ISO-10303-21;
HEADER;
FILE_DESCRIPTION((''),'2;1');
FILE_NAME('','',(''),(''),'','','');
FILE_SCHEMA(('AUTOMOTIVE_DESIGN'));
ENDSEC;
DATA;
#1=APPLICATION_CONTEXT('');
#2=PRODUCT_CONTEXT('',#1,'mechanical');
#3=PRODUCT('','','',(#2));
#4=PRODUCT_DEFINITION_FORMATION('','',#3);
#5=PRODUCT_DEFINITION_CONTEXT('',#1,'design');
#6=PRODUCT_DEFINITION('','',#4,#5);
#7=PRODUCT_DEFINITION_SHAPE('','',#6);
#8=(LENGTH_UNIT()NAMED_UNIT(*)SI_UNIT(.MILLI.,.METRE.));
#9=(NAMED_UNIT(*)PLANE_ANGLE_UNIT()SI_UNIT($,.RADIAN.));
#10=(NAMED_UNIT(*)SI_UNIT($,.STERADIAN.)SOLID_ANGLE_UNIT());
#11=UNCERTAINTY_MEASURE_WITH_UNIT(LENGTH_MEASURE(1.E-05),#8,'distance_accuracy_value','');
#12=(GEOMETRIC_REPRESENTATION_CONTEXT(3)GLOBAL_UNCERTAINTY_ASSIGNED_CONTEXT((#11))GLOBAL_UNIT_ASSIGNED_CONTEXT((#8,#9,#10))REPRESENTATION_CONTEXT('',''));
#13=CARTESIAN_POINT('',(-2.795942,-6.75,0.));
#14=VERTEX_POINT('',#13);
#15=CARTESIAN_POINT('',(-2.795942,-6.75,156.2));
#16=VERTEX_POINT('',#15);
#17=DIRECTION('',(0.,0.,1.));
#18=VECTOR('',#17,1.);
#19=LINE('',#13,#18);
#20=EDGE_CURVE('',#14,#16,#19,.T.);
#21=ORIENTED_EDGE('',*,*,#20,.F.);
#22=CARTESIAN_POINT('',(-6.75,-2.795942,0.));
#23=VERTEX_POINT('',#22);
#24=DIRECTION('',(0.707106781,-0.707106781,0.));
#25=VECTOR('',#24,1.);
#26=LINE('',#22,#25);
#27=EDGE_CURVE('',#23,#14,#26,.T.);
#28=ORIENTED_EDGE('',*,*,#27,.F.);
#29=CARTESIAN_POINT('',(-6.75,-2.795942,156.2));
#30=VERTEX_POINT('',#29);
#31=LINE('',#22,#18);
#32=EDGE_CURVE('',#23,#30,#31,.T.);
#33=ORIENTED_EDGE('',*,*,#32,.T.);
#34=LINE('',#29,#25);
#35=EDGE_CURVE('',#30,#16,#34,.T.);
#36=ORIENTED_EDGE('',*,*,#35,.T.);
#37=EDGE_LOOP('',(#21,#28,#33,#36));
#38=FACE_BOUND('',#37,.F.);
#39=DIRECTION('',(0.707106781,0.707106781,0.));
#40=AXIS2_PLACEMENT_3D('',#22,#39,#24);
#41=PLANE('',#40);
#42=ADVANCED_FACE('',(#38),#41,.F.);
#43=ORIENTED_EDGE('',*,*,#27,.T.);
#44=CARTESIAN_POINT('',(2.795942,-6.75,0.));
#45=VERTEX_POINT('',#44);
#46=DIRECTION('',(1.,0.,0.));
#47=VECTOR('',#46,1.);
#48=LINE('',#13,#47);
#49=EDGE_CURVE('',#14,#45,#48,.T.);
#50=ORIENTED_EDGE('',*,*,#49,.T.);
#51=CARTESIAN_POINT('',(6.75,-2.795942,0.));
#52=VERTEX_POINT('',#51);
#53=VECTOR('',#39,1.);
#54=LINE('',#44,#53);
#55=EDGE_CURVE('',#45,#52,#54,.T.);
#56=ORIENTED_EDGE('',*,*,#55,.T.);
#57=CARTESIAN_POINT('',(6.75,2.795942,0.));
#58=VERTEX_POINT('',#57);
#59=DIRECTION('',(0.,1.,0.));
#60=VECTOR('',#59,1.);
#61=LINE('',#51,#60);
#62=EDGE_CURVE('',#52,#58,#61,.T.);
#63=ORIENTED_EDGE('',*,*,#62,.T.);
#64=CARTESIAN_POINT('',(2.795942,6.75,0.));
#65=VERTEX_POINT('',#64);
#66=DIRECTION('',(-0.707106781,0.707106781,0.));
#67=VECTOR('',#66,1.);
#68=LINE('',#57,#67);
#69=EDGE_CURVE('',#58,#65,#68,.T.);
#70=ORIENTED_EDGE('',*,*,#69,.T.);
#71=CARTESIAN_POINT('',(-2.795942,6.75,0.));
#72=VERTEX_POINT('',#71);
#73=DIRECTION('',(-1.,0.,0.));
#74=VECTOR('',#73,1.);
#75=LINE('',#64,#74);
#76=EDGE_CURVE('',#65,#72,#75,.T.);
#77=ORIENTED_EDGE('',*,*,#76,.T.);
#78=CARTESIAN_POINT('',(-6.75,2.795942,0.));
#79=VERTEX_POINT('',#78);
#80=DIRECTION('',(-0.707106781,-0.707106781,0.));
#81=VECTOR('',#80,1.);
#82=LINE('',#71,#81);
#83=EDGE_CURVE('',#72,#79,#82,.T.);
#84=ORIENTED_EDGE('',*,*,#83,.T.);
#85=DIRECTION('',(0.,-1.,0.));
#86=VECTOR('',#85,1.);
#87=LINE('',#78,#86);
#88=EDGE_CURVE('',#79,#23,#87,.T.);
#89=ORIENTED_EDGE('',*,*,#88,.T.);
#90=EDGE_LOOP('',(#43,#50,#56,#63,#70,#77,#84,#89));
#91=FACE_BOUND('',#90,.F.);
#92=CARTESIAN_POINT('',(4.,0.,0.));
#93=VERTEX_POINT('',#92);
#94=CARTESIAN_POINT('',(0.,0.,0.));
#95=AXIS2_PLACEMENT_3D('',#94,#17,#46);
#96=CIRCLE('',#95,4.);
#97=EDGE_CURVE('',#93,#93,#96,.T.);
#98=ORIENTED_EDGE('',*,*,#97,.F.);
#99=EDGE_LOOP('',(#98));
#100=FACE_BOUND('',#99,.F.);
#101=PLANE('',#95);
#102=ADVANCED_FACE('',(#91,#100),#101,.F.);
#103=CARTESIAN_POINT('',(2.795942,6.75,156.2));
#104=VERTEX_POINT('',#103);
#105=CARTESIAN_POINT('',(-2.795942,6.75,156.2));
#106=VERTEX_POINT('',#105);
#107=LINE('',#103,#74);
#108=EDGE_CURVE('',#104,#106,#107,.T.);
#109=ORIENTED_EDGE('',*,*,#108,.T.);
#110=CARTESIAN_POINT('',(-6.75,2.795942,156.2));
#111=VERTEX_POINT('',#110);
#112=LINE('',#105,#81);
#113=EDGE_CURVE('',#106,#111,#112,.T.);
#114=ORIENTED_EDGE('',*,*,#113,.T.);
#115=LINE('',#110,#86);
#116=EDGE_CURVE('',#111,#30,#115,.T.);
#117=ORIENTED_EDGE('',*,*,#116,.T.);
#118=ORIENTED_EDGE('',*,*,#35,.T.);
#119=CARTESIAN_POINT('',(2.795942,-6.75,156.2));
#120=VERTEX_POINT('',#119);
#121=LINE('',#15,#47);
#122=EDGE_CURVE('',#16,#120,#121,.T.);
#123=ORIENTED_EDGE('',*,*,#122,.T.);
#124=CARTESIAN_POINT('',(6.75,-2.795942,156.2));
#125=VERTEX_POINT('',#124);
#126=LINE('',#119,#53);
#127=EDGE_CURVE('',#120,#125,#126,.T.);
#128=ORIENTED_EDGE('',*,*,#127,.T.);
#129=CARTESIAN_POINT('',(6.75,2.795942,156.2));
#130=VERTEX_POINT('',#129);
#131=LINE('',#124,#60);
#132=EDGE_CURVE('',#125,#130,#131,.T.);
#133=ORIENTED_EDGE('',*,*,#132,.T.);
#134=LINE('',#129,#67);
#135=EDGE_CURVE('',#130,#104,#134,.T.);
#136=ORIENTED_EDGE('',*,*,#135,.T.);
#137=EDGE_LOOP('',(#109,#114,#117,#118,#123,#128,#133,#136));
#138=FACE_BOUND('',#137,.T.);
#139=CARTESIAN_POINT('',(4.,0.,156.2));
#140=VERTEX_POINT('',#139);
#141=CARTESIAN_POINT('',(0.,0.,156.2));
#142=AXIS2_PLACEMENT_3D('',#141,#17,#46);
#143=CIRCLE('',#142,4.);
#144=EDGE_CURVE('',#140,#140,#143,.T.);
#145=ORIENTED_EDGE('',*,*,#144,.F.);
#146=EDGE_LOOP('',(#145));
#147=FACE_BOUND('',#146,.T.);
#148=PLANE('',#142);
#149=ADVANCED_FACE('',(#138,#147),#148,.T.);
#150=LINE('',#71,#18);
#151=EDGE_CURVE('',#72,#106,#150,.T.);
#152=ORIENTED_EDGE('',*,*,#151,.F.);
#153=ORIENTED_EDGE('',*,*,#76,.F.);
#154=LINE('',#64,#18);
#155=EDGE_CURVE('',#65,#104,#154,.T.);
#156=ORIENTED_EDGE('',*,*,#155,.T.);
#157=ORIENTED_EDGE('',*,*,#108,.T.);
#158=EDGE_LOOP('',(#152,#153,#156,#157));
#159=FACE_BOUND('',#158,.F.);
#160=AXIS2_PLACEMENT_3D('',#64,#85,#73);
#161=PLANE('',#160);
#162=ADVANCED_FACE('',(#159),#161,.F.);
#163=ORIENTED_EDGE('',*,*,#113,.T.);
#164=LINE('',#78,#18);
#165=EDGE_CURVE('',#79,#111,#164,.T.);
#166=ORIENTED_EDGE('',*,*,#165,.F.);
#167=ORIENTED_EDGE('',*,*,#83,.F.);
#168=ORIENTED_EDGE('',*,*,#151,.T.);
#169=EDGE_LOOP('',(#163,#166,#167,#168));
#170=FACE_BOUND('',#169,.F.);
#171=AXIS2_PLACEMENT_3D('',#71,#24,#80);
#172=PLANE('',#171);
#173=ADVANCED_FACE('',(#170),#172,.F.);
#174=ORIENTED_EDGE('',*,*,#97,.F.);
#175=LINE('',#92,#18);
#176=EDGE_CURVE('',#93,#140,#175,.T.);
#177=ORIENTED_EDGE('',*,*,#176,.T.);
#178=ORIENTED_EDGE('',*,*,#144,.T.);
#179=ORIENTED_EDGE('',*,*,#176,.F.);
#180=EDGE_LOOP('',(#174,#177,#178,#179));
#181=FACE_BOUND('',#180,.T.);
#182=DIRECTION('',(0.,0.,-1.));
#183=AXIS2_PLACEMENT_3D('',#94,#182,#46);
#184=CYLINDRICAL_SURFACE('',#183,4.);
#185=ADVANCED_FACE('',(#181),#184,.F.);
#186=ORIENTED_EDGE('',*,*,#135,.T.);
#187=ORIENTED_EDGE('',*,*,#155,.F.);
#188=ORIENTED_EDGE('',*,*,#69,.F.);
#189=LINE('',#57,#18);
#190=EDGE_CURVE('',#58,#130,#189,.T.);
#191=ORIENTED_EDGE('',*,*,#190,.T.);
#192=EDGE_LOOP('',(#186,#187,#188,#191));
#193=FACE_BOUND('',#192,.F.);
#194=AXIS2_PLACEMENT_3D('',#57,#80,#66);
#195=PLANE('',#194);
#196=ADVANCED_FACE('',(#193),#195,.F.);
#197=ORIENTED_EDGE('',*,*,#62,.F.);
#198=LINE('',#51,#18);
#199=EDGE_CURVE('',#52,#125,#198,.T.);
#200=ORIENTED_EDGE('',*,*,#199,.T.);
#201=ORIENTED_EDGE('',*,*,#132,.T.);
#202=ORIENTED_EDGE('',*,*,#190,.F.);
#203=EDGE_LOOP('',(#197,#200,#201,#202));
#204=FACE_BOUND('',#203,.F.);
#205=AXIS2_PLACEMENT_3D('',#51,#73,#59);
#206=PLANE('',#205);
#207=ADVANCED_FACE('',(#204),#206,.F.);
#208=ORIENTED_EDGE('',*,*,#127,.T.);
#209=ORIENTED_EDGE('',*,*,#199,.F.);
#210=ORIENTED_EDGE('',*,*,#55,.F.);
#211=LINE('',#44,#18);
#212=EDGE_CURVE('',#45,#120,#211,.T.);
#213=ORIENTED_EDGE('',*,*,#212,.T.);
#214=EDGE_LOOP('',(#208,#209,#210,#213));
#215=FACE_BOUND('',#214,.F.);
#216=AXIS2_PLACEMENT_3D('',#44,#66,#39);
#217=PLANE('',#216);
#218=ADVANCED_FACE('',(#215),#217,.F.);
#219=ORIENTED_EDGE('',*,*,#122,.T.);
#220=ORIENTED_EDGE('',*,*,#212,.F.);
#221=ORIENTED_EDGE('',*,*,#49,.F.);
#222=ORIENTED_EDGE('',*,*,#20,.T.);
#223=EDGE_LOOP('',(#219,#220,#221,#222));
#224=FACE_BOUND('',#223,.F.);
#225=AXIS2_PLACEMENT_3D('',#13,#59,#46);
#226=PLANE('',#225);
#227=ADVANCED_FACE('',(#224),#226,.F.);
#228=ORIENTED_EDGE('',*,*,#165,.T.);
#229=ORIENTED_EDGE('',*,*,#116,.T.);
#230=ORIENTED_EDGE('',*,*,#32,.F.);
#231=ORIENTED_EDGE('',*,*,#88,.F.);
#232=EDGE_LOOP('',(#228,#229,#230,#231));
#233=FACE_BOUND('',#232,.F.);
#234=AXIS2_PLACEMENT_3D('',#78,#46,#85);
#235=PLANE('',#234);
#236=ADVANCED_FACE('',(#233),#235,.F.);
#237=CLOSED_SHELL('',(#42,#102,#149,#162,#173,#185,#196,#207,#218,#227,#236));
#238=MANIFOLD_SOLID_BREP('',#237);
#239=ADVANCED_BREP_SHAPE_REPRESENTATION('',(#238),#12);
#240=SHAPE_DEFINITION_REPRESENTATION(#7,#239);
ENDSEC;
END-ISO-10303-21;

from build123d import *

# Parameters (mm, degrees)
F0_R     = 4
F1_DEPTH = 156.2


with BuildPart() as f1:
    # F0 (on Top) → F1 (new body)
    with BuildSketch(Plane.XY):
        Polygon((-2.795942, -6.75), (2.795942, -6.75), (6.75, -2.795942), (6.75, 2.795942), (2.795942, 6.75), (-2.795942, 6.75), (-6.75, 2.795942), (-6.75, -2.795942), align=None)
        Circle(F0_R, mode=Mode.SUBTRACT)
    extrude(amount=F1_DEPTH)


solid = f1.part
